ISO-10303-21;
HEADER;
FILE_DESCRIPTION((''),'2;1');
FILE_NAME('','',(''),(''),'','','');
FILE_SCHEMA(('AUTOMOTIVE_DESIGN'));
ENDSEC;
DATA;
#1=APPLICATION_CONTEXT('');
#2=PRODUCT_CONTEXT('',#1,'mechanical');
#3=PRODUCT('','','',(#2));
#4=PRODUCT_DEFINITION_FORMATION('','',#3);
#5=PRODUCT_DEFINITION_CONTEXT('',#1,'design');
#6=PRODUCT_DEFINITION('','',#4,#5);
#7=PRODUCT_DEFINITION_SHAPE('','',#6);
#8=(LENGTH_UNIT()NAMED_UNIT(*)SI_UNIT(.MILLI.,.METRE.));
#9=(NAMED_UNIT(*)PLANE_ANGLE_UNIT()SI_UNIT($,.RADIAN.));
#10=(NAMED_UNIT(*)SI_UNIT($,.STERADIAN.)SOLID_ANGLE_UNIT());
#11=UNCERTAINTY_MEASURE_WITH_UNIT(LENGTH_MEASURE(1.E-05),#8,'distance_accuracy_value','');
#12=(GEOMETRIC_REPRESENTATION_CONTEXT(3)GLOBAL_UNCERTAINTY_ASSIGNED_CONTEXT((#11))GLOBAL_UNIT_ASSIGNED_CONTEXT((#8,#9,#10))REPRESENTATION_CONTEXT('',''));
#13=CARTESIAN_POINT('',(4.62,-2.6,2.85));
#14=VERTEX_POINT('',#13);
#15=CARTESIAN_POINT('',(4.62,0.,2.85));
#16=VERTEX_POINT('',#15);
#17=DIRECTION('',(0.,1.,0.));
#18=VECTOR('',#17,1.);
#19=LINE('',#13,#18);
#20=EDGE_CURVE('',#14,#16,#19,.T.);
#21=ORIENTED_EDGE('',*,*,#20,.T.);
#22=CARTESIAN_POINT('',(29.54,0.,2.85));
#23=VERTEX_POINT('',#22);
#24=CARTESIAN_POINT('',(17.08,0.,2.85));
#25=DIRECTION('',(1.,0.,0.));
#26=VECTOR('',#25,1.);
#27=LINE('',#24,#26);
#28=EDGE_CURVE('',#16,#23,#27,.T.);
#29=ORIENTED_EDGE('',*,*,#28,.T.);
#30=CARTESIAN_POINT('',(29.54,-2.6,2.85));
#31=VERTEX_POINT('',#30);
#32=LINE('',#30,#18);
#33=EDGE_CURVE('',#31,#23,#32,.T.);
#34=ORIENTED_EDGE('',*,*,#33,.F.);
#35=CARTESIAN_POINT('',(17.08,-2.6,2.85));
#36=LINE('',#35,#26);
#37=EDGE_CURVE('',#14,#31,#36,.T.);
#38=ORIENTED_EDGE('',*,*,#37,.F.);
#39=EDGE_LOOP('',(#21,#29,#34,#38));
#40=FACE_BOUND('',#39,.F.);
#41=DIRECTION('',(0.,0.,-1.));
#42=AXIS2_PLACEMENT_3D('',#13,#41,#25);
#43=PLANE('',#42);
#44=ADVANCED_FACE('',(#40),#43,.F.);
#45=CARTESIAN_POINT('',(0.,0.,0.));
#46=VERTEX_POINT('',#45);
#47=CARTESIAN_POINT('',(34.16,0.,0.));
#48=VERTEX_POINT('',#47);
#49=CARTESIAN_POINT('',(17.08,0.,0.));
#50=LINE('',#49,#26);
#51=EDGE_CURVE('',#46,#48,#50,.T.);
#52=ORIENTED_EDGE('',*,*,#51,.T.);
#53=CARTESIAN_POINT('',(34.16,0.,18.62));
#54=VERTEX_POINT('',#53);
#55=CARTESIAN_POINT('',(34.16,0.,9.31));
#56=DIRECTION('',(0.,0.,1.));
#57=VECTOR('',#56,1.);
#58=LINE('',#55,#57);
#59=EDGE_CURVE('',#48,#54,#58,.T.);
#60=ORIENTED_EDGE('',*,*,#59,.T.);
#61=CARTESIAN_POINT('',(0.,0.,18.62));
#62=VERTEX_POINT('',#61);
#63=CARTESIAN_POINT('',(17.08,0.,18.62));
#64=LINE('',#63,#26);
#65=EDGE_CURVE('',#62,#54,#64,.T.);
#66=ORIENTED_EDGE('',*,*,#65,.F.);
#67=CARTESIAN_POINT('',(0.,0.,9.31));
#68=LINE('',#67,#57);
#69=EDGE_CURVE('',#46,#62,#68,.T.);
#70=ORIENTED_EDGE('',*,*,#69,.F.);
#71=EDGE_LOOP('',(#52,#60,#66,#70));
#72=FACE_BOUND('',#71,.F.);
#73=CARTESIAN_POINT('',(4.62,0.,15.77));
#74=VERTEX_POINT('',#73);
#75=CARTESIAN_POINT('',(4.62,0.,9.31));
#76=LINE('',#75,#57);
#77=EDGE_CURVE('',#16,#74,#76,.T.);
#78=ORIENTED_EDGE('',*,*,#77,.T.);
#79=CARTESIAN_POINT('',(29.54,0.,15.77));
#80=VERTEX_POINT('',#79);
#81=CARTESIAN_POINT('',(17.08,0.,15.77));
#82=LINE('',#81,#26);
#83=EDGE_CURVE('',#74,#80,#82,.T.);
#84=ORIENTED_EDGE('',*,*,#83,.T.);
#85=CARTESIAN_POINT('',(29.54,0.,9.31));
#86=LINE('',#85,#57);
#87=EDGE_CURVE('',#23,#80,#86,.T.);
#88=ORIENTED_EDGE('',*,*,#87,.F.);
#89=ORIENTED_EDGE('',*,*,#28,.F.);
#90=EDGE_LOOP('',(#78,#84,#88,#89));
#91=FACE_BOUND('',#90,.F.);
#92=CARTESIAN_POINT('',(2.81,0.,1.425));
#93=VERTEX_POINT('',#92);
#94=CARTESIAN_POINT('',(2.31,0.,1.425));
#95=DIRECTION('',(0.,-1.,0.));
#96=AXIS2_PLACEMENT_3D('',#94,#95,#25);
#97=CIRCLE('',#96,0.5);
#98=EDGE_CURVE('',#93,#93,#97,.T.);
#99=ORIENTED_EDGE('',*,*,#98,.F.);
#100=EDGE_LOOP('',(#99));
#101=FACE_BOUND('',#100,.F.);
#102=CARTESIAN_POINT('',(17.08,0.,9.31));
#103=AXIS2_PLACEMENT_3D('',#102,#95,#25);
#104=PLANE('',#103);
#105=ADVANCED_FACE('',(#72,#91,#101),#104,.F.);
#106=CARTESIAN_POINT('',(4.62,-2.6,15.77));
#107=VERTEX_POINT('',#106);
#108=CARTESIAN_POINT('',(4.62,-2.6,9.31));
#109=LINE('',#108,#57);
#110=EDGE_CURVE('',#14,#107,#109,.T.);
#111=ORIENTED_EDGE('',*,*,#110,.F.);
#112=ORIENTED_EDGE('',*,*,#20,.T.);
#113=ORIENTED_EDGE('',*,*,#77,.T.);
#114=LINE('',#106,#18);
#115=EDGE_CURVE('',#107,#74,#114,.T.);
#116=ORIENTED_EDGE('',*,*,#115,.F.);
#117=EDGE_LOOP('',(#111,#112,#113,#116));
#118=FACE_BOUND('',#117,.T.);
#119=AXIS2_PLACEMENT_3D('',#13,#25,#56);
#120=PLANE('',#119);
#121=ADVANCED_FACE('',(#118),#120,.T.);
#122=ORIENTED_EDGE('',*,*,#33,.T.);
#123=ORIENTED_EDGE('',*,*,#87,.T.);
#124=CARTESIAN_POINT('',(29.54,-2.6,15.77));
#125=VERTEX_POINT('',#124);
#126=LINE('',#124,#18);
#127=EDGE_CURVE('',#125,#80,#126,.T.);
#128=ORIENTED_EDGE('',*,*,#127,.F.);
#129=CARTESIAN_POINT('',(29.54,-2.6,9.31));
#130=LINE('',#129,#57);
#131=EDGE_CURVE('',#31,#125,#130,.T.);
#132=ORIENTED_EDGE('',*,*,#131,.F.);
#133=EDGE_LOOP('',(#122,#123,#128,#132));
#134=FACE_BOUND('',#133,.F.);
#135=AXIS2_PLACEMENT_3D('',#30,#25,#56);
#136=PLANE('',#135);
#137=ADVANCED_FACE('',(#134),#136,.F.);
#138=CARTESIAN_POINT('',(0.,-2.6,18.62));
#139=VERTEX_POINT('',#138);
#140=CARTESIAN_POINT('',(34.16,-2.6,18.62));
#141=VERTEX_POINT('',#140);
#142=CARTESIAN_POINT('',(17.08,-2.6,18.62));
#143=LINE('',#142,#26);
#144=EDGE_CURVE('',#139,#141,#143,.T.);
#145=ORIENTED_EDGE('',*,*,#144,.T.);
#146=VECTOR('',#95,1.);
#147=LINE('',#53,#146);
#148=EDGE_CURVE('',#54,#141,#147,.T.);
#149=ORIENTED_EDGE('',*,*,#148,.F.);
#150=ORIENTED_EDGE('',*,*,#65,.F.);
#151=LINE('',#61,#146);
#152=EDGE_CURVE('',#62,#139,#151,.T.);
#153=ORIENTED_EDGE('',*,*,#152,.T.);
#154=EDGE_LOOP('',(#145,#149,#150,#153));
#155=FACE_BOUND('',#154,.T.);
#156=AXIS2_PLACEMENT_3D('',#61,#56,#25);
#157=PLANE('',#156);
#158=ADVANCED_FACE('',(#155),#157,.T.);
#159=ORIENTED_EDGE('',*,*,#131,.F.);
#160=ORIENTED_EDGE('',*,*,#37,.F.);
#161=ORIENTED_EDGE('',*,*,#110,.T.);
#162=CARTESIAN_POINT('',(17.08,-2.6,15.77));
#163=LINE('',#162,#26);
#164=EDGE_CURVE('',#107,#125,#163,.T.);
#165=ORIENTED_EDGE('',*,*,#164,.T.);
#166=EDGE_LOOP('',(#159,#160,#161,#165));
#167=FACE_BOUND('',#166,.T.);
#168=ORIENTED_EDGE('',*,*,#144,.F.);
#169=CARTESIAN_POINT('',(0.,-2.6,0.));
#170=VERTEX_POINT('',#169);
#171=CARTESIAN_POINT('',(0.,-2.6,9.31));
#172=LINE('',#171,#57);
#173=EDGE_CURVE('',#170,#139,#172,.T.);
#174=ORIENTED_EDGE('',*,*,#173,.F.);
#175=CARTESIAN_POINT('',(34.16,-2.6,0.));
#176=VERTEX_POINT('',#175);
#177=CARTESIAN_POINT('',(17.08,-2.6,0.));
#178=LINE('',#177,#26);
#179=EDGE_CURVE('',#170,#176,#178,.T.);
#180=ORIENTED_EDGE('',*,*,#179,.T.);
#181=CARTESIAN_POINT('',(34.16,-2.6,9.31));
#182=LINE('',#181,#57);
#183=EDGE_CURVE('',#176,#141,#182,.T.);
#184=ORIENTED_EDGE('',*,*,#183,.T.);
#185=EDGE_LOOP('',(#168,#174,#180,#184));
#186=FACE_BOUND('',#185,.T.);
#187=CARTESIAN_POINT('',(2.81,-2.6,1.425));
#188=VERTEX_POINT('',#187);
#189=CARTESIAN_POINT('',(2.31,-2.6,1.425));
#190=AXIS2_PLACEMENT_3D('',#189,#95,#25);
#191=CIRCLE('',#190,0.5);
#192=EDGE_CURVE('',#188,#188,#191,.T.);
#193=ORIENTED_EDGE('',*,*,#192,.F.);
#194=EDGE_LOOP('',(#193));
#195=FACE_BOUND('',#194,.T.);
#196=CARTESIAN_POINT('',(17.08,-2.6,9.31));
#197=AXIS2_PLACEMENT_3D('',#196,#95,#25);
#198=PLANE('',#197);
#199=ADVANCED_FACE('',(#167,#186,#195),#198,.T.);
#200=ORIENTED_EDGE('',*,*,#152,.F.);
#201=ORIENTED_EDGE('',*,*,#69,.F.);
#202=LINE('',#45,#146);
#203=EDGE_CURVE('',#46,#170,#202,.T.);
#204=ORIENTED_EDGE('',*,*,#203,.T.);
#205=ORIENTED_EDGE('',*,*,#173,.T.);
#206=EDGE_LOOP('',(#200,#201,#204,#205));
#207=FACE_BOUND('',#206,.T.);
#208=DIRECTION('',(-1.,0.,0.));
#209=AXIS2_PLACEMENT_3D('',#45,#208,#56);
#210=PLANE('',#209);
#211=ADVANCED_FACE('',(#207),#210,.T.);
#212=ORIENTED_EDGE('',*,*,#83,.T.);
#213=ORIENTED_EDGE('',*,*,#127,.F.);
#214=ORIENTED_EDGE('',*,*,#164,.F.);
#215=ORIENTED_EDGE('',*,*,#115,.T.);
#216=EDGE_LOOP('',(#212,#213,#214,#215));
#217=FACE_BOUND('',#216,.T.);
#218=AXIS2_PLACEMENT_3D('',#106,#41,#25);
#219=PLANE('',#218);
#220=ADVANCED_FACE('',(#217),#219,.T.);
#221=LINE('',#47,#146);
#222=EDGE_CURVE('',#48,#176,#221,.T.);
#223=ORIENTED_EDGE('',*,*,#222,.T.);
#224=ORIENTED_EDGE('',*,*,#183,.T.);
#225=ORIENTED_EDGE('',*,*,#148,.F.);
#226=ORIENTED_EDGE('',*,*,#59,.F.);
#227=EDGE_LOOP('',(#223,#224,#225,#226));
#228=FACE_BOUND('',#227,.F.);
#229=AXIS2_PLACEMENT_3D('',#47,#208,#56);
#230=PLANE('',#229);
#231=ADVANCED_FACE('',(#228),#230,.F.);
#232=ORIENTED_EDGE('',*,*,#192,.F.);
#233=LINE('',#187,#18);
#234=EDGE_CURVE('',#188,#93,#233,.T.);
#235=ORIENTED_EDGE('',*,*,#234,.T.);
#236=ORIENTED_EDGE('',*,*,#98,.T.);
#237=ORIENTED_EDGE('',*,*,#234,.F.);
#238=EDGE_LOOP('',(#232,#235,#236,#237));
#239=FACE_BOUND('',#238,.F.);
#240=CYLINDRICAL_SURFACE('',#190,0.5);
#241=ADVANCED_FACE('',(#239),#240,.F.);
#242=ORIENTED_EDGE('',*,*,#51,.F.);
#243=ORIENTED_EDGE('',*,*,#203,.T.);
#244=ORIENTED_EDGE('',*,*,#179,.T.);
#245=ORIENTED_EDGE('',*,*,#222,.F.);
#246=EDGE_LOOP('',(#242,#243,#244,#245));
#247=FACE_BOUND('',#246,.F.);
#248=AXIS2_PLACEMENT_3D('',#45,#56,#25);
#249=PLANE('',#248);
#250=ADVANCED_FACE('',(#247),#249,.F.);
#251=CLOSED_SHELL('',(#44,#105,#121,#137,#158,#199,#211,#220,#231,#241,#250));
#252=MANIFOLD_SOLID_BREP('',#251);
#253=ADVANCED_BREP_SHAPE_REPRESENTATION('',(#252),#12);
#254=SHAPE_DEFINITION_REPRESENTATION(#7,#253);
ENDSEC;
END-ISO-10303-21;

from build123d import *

# Parameters (mm, degrees)
SKETCH_W     = 34.16
SKETCH_H     = 18.62
PAD_DEPTH    = 2.6
SKETCH002_R  = 0.5
SKETCH002_W  = 24.92
SKETCH002_H  = 12.92
POCKET_DEPTH = 2.6


with BuildPart() as part:
    # Sketch → Pad (new body)
    with BuildSketch(Plane.XZ):
        with Locations((17.08, 9.31)):
            Rectangle(SKETCH_W, SKETCH_H)
    extrude(amount=PAD_DEPTH)

    # Sketch002 (on Face6 of Pad) → Pocket (cut)
    with BuildSketch(Plane.XZ.offset(2.6)):
        with Locations((2.31, 1.425)):
            Circle(SKETCH002_R)
        with Locations((17.08, 9.31)):
            Rectangle(SKETCH002_W, SKETCH002_H)
    extrude(amount=-POCKET_DEPTH, mode=Mode.SUBTRACT)


solid = part.part
